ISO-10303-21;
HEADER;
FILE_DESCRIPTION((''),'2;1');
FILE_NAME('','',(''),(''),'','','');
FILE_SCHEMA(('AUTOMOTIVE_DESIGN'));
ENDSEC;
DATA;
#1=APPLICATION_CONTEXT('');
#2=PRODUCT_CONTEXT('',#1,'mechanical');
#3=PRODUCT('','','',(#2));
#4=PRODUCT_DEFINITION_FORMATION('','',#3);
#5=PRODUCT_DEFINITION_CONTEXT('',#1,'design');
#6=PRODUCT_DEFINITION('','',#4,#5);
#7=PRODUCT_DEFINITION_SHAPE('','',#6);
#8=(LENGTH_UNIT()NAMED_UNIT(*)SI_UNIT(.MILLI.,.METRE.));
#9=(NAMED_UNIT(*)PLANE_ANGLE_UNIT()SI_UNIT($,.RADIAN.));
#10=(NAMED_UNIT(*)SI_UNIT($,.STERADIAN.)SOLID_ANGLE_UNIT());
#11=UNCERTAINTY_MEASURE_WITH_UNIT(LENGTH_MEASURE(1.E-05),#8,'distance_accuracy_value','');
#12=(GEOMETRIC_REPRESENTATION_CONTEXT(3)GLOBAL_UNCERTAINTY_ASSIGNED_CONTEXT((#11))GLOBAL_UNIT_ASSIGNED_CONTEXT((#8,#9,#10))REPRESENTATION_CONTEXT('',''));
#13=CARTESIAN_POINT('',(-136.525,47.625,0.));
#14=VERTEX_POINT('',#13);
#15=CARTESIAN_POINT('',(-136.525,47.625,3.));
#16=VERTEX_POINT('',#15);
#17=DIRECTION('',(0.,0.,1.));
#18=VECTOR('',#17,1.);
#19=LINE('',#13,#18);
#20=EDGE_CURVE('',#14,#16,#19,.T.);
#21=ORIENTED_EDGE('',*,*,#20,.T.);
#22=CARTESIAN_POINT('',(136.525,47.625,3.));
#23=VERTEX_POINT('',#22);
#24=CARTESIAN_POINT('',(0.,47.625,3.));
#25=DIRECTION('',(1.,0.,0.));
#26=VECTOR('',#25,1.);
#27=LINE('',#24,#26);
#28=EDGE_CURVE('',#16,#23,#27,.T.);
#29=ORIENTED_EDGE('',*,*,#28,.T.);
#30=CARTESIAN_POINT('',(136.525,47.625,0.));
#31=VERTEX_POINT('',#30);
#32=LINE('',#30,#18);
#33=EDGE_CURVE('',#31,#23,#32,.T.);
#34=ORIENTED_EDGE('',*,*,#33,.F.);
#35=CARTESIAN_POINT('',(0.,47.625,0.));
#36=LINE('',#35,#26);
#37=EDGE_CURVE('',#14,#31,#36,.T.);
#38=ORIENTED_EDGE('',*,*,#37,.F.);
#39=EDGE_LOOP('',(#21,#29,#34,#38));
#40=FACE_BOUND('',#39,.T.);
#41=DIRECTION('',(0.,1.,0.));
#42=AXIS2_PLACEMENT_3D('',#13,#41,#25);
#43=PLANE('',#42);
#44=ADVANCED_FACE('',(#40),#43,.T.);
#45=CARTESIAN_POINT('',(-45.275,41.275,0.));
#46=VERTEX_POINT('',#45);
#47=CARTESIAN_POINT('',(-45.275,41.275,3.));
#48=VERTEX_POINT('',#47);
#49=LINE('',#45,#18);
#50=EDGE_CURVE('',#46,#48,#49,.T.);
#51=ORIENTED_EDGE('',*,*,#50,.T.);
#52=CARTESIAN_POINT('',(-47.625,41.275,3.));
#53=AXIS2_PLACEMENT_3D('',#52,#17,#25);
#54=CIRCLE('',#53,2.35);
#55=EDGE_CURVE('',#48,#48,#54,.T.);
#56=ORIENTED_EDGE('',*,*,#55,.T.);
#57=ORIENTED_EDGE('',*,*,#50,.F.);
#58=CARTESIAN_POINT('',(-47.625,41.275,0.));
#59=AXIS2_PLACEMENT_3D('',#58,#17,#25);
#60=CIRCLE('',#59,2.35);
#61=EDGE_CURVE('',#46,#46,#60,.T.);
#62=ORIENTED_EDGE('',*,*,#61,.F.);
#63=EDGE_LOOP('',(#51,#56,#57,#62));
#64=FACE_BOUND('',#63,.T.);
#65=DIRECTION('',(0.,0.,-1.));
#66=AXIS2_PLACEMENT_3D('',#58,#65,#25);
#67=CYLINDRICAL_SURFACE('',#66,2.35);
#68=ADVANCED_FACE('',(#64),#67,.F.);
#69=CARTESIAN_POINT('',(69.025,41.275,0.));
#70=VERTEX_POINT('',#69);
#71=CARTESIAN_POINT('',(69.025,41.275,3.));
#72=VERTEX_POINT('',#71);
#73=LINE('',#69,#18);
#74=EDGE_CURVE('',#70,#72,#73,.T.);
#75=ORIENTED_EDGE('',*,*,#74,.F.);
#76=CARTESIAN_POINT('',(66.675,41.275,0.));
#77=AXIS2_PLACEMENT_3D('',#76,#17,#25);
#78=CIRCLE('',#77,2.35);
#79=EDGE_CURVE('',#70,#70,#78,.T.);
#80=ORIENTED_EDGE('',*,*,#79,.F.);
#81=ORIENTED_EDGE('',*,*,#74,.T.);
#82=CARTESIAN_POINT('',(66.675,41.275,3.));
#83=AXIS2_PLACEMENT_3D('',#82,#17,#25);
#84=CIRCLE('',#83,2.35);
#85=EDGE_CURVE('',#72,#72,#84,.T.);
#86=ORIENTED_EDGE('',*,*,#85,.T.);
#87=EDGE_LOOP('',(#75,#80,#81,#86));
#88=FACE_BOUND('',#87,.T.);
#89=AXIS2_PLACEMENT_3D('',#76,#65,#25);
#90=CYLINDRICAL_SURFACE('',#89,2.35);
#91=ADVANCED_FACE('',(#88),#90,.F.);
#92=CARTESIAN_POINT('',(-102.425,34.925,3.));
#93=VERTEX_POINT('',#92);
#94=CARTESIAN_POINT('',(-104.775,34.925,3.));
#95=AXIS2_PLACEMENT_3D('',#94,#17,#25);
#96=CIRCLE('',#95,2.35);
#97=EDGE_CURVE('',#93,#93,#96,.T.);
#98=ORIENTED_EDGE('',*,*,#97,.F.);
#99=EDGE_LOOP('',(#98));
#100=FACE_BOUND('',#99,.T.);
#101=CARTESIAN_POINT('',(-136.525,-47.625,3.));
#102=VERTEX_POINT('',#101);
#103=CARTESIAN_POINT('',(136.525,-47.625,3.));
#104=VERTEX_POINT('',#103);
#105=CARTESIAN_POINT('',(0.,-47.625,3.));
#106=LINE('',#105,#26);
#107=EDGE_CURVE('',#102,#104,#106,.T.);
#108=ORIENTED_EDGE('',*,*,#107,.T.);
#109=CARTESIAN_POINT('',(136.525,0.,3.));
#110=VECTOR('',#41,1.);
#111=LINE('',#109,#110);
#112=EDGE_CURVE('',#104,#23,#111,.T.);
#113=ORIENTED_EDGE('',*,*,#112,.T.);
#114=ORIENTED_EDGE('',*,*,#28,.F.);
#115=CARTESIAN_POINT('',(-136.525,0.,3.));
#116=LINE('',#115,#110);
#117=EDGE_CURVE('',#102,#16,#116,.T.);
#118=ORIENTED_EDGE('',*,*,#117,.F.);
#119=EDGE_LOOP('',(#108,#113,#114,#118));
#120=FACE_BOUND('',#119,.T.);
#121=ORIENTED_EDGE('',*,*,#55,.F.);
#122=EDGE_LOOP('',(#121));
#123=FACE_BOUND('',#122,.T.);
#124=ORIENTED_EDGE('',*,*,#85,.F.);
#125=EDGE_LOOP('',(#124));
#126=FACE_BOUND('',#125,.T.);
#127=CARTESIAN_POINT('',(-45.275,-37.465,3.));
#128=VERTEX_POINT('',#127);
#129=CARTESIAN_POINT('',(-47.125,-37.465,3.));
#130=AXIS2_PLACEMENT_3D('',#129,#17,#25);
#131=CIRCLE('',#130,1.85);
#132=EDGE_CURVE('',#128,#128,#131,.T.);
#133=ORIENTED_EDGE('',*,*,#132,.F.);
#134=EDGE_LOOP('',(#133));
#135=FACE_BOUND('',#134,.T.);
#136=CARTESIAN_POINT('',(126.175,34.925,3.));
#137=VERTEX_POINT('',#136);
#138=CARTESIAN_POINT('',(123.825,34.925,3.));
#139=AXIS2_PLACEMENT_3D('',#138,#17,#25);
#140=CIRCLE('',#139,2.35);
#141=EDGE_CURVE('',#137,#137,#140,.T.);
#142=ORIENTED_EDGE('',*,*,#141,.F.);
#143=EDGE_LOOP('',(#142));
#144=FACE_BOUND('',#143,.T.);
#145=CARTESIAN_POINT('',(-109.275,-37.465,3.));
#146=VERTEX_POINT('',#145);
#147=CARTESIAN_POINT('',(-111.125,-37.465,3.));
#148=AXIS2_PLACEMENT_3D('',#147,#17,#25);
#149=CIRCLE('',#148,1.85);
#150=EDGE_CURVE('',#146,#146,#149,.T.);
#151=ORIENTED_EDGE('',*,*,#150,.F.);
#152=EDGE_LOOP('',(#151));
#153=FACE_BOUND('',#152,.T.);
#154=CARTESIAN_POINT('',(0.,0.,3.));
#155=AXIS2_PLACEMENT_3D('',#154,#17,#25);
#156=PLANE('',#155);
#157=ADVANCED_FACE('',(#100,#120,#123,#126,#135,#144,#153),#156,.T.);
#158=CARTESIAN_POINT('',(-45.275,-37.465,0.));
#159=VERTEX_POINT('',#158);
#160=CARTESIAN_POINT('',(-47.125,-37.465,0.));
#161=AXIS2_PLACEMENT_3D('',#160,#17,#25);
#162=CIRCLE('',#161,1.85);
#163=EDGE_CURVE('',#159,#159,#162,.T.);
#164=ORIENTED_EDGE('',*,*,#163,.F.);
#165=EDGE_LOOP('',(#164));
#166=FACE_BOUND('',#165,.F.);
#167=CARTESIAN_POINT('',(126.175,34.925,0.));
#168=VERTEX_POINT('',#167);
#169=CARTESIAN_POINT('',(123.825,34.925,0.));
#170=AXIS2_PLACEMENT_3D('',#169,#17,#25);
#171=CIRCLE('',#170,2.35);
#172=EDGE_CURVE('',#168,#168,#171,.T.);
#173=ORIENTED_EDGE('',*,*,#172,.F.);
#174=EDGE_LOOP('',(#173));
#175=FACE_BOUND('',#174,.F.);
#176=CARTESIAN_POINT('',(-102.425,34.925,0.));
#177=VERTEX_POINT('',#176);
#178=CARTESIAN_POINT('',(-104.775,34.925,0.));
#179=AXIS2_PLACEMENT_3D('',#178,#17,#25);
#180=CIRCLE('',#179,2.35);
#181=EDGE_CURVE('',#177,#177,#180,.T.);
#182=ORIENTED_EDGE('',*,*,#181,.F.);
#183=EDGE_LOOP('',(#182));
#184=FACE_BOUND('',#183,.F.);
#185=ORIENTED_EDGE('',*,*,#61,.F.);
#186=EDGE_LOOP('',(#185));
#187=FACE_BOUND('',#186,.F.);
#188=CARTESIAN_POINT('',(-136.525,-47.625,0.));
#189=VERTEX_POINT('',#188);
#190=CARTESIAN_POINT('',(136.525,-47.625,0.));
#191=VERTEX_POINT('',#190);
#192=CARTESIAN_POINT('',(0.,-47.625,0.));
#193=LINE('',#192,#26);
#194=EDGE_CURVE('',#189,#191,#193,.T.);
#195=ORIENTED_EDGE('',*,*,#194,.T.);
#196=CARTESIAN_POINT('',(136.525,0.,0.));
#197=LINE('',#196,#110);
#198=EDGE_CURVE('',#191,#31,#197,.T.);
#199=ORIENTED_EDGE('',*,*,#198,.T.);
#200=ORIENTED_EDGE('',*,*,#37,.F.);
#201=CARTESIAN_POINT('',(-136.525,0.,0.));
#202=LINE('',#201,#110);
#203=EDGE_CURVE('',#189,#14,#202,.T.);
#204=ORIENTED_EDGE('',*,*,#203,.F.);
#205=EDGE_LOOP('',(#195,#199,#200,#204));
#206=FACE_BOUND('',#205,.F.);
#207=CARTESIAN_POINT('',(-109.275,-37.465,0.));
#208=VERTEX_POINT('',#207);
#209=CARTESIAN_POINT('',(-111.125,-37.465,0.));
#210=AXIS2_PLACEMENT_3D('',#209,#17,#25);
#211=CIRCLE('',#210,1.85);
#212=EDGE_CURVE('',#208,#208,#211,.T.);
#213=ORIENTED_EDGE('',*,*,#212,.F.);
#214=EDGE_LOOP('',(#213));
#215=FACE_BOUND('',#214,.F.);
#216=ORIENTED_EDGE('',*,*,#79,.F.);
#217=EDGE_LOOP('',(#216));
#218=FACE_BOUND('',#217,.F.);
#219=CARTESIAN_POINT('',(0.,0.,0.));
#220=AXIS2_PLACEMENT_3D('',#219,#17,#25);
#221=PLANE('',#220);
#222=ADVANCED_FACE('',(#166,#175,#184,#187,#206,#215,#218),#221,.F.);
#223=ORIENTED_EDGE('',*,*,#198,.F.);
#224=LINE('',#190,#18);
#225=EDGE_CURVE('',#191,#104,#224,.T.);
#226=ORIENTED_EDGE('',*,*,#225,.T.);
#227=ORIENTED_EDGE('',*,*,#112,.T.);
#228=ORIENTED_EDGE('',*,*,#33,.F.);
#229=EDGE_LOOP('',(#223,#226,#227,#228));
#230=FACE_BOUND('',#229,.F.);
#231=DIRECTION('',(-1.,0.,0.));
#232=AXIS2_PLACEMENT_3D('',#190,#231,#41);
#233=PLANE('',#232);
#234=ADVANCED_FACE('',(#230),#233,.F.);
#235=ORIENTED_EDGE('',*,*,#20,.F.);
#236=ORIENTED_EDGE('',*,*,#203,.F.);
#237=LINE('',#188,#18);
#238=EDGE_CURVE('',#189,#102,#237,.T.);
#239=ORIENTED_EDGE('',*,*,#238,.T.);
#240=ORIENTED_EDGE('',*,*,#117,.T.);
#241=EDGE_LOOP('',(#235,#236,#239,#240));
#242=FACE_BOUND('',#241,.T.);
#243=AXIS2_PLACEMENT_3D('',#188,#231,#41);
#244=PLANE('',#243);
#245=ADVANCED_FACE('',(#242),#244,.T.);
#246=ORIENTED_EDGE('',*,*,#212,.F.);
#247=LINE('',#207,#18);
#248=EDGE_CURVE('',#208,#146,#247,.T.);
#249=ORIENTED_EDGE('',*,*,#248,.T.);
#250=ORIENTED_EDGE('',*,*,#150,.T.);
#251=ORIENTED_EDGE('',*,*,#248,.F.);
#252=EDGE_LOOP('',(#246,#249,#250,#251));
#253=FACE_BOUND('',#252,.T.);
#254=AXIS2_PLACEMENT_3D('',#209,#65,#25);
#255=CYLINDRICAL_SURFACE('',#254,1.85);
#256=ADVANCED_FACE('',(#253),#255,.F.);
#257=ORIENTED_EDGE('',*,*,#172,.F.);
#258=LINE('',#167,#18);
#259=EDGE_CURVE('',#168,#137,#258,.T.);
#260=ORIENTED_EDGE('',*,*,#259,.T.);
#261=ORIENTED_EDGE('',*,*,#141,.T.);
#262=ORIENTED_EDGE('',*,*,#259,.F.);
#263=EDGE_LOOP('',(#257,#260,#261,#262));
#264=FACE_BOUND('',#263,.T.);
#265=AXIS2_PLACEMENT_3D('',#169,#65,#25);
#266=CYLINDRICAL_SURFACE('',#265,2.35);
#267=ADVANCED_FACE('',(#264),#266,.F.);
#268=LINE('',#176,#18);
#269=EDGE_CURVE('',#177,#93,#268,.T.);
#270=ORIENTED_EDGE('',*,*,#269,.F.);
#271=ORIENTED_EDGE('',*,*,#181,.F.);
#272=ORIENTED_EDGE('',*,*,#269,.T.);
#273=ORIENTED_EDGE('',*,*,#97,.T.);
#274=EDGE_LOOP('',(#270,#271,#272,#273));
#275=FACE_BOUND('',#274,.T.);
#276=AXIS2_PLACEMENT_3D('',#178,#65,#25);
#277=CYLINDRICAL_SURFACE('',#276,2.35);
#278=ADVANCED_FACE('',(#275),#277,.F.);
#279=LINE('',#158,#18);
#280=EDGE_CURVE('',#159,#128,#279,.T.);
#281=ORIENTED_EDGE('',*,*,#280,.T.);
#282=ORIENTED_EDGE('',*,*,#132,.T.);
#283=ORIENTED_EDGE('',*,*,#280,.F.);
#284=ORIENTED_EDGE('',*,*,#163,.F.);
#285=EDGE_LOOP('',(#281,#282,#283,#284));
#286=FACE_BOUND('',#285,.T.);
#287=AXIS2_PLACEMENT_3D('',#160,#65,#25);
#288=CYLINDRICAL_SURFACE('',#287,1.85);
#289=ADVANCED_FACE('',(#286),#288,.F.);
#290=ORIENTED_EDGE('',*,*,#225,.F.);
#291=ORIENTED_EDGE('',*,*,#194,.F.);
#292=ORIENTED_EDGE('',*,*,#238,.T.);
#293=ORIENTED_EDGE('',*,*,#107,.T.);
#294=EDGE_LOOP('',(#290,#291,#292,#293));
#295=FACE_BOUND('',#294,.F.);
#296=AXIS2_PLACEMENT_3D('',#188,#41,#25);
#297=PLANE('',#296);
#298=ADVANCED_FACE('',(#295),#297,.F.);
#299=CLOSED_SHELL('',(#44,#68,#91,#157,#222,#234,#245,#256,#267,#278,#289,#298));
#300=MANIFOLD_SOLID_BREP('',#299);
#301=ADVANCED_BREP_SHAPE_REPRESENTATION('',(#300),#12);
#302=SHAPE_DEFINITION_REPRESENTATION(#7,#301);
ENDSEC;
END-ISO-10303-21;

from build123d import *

# Parameters (mm, degrees)
F0_W     = 273.05
F0_H     = 95.25
F0_R     = 1.85
F0_R_2   = 2.35
F1_DEPTH = 3


with BuildPart() as f1:
    # F0 (on Top) → F1 (new body)
    with BuildSketch(Plane.XY):
        Rectangle(F0_W, F0_H)
        with Locations((-111.125, -37.465)):
            Circle(F0_R, mode=Mode.SUBTRACT)
        with Locations((-47.125, -37.465)):
            Circle(F0_R, mode=Mode.SUBTRACT)
        with Locations((-104.775, 34.925)):
            Circle(F0_R_2, mode=Mode.SUBTRACT)
        with Locations((-47.625, 41.275)):
            Circle(F0_R_2, mode=Mode.SUBTRACT)
        with Locations((66.675, 41.275)):
            Circle(F0_R_2, mode=Mode.SUBTRACT)
        with Locations((123.825, 34.925)):
            Circle(F0_R_2, mode=Mode.SUBTRACT)
    extrude(amount=F1_DEPTH)


solid = f1.part
